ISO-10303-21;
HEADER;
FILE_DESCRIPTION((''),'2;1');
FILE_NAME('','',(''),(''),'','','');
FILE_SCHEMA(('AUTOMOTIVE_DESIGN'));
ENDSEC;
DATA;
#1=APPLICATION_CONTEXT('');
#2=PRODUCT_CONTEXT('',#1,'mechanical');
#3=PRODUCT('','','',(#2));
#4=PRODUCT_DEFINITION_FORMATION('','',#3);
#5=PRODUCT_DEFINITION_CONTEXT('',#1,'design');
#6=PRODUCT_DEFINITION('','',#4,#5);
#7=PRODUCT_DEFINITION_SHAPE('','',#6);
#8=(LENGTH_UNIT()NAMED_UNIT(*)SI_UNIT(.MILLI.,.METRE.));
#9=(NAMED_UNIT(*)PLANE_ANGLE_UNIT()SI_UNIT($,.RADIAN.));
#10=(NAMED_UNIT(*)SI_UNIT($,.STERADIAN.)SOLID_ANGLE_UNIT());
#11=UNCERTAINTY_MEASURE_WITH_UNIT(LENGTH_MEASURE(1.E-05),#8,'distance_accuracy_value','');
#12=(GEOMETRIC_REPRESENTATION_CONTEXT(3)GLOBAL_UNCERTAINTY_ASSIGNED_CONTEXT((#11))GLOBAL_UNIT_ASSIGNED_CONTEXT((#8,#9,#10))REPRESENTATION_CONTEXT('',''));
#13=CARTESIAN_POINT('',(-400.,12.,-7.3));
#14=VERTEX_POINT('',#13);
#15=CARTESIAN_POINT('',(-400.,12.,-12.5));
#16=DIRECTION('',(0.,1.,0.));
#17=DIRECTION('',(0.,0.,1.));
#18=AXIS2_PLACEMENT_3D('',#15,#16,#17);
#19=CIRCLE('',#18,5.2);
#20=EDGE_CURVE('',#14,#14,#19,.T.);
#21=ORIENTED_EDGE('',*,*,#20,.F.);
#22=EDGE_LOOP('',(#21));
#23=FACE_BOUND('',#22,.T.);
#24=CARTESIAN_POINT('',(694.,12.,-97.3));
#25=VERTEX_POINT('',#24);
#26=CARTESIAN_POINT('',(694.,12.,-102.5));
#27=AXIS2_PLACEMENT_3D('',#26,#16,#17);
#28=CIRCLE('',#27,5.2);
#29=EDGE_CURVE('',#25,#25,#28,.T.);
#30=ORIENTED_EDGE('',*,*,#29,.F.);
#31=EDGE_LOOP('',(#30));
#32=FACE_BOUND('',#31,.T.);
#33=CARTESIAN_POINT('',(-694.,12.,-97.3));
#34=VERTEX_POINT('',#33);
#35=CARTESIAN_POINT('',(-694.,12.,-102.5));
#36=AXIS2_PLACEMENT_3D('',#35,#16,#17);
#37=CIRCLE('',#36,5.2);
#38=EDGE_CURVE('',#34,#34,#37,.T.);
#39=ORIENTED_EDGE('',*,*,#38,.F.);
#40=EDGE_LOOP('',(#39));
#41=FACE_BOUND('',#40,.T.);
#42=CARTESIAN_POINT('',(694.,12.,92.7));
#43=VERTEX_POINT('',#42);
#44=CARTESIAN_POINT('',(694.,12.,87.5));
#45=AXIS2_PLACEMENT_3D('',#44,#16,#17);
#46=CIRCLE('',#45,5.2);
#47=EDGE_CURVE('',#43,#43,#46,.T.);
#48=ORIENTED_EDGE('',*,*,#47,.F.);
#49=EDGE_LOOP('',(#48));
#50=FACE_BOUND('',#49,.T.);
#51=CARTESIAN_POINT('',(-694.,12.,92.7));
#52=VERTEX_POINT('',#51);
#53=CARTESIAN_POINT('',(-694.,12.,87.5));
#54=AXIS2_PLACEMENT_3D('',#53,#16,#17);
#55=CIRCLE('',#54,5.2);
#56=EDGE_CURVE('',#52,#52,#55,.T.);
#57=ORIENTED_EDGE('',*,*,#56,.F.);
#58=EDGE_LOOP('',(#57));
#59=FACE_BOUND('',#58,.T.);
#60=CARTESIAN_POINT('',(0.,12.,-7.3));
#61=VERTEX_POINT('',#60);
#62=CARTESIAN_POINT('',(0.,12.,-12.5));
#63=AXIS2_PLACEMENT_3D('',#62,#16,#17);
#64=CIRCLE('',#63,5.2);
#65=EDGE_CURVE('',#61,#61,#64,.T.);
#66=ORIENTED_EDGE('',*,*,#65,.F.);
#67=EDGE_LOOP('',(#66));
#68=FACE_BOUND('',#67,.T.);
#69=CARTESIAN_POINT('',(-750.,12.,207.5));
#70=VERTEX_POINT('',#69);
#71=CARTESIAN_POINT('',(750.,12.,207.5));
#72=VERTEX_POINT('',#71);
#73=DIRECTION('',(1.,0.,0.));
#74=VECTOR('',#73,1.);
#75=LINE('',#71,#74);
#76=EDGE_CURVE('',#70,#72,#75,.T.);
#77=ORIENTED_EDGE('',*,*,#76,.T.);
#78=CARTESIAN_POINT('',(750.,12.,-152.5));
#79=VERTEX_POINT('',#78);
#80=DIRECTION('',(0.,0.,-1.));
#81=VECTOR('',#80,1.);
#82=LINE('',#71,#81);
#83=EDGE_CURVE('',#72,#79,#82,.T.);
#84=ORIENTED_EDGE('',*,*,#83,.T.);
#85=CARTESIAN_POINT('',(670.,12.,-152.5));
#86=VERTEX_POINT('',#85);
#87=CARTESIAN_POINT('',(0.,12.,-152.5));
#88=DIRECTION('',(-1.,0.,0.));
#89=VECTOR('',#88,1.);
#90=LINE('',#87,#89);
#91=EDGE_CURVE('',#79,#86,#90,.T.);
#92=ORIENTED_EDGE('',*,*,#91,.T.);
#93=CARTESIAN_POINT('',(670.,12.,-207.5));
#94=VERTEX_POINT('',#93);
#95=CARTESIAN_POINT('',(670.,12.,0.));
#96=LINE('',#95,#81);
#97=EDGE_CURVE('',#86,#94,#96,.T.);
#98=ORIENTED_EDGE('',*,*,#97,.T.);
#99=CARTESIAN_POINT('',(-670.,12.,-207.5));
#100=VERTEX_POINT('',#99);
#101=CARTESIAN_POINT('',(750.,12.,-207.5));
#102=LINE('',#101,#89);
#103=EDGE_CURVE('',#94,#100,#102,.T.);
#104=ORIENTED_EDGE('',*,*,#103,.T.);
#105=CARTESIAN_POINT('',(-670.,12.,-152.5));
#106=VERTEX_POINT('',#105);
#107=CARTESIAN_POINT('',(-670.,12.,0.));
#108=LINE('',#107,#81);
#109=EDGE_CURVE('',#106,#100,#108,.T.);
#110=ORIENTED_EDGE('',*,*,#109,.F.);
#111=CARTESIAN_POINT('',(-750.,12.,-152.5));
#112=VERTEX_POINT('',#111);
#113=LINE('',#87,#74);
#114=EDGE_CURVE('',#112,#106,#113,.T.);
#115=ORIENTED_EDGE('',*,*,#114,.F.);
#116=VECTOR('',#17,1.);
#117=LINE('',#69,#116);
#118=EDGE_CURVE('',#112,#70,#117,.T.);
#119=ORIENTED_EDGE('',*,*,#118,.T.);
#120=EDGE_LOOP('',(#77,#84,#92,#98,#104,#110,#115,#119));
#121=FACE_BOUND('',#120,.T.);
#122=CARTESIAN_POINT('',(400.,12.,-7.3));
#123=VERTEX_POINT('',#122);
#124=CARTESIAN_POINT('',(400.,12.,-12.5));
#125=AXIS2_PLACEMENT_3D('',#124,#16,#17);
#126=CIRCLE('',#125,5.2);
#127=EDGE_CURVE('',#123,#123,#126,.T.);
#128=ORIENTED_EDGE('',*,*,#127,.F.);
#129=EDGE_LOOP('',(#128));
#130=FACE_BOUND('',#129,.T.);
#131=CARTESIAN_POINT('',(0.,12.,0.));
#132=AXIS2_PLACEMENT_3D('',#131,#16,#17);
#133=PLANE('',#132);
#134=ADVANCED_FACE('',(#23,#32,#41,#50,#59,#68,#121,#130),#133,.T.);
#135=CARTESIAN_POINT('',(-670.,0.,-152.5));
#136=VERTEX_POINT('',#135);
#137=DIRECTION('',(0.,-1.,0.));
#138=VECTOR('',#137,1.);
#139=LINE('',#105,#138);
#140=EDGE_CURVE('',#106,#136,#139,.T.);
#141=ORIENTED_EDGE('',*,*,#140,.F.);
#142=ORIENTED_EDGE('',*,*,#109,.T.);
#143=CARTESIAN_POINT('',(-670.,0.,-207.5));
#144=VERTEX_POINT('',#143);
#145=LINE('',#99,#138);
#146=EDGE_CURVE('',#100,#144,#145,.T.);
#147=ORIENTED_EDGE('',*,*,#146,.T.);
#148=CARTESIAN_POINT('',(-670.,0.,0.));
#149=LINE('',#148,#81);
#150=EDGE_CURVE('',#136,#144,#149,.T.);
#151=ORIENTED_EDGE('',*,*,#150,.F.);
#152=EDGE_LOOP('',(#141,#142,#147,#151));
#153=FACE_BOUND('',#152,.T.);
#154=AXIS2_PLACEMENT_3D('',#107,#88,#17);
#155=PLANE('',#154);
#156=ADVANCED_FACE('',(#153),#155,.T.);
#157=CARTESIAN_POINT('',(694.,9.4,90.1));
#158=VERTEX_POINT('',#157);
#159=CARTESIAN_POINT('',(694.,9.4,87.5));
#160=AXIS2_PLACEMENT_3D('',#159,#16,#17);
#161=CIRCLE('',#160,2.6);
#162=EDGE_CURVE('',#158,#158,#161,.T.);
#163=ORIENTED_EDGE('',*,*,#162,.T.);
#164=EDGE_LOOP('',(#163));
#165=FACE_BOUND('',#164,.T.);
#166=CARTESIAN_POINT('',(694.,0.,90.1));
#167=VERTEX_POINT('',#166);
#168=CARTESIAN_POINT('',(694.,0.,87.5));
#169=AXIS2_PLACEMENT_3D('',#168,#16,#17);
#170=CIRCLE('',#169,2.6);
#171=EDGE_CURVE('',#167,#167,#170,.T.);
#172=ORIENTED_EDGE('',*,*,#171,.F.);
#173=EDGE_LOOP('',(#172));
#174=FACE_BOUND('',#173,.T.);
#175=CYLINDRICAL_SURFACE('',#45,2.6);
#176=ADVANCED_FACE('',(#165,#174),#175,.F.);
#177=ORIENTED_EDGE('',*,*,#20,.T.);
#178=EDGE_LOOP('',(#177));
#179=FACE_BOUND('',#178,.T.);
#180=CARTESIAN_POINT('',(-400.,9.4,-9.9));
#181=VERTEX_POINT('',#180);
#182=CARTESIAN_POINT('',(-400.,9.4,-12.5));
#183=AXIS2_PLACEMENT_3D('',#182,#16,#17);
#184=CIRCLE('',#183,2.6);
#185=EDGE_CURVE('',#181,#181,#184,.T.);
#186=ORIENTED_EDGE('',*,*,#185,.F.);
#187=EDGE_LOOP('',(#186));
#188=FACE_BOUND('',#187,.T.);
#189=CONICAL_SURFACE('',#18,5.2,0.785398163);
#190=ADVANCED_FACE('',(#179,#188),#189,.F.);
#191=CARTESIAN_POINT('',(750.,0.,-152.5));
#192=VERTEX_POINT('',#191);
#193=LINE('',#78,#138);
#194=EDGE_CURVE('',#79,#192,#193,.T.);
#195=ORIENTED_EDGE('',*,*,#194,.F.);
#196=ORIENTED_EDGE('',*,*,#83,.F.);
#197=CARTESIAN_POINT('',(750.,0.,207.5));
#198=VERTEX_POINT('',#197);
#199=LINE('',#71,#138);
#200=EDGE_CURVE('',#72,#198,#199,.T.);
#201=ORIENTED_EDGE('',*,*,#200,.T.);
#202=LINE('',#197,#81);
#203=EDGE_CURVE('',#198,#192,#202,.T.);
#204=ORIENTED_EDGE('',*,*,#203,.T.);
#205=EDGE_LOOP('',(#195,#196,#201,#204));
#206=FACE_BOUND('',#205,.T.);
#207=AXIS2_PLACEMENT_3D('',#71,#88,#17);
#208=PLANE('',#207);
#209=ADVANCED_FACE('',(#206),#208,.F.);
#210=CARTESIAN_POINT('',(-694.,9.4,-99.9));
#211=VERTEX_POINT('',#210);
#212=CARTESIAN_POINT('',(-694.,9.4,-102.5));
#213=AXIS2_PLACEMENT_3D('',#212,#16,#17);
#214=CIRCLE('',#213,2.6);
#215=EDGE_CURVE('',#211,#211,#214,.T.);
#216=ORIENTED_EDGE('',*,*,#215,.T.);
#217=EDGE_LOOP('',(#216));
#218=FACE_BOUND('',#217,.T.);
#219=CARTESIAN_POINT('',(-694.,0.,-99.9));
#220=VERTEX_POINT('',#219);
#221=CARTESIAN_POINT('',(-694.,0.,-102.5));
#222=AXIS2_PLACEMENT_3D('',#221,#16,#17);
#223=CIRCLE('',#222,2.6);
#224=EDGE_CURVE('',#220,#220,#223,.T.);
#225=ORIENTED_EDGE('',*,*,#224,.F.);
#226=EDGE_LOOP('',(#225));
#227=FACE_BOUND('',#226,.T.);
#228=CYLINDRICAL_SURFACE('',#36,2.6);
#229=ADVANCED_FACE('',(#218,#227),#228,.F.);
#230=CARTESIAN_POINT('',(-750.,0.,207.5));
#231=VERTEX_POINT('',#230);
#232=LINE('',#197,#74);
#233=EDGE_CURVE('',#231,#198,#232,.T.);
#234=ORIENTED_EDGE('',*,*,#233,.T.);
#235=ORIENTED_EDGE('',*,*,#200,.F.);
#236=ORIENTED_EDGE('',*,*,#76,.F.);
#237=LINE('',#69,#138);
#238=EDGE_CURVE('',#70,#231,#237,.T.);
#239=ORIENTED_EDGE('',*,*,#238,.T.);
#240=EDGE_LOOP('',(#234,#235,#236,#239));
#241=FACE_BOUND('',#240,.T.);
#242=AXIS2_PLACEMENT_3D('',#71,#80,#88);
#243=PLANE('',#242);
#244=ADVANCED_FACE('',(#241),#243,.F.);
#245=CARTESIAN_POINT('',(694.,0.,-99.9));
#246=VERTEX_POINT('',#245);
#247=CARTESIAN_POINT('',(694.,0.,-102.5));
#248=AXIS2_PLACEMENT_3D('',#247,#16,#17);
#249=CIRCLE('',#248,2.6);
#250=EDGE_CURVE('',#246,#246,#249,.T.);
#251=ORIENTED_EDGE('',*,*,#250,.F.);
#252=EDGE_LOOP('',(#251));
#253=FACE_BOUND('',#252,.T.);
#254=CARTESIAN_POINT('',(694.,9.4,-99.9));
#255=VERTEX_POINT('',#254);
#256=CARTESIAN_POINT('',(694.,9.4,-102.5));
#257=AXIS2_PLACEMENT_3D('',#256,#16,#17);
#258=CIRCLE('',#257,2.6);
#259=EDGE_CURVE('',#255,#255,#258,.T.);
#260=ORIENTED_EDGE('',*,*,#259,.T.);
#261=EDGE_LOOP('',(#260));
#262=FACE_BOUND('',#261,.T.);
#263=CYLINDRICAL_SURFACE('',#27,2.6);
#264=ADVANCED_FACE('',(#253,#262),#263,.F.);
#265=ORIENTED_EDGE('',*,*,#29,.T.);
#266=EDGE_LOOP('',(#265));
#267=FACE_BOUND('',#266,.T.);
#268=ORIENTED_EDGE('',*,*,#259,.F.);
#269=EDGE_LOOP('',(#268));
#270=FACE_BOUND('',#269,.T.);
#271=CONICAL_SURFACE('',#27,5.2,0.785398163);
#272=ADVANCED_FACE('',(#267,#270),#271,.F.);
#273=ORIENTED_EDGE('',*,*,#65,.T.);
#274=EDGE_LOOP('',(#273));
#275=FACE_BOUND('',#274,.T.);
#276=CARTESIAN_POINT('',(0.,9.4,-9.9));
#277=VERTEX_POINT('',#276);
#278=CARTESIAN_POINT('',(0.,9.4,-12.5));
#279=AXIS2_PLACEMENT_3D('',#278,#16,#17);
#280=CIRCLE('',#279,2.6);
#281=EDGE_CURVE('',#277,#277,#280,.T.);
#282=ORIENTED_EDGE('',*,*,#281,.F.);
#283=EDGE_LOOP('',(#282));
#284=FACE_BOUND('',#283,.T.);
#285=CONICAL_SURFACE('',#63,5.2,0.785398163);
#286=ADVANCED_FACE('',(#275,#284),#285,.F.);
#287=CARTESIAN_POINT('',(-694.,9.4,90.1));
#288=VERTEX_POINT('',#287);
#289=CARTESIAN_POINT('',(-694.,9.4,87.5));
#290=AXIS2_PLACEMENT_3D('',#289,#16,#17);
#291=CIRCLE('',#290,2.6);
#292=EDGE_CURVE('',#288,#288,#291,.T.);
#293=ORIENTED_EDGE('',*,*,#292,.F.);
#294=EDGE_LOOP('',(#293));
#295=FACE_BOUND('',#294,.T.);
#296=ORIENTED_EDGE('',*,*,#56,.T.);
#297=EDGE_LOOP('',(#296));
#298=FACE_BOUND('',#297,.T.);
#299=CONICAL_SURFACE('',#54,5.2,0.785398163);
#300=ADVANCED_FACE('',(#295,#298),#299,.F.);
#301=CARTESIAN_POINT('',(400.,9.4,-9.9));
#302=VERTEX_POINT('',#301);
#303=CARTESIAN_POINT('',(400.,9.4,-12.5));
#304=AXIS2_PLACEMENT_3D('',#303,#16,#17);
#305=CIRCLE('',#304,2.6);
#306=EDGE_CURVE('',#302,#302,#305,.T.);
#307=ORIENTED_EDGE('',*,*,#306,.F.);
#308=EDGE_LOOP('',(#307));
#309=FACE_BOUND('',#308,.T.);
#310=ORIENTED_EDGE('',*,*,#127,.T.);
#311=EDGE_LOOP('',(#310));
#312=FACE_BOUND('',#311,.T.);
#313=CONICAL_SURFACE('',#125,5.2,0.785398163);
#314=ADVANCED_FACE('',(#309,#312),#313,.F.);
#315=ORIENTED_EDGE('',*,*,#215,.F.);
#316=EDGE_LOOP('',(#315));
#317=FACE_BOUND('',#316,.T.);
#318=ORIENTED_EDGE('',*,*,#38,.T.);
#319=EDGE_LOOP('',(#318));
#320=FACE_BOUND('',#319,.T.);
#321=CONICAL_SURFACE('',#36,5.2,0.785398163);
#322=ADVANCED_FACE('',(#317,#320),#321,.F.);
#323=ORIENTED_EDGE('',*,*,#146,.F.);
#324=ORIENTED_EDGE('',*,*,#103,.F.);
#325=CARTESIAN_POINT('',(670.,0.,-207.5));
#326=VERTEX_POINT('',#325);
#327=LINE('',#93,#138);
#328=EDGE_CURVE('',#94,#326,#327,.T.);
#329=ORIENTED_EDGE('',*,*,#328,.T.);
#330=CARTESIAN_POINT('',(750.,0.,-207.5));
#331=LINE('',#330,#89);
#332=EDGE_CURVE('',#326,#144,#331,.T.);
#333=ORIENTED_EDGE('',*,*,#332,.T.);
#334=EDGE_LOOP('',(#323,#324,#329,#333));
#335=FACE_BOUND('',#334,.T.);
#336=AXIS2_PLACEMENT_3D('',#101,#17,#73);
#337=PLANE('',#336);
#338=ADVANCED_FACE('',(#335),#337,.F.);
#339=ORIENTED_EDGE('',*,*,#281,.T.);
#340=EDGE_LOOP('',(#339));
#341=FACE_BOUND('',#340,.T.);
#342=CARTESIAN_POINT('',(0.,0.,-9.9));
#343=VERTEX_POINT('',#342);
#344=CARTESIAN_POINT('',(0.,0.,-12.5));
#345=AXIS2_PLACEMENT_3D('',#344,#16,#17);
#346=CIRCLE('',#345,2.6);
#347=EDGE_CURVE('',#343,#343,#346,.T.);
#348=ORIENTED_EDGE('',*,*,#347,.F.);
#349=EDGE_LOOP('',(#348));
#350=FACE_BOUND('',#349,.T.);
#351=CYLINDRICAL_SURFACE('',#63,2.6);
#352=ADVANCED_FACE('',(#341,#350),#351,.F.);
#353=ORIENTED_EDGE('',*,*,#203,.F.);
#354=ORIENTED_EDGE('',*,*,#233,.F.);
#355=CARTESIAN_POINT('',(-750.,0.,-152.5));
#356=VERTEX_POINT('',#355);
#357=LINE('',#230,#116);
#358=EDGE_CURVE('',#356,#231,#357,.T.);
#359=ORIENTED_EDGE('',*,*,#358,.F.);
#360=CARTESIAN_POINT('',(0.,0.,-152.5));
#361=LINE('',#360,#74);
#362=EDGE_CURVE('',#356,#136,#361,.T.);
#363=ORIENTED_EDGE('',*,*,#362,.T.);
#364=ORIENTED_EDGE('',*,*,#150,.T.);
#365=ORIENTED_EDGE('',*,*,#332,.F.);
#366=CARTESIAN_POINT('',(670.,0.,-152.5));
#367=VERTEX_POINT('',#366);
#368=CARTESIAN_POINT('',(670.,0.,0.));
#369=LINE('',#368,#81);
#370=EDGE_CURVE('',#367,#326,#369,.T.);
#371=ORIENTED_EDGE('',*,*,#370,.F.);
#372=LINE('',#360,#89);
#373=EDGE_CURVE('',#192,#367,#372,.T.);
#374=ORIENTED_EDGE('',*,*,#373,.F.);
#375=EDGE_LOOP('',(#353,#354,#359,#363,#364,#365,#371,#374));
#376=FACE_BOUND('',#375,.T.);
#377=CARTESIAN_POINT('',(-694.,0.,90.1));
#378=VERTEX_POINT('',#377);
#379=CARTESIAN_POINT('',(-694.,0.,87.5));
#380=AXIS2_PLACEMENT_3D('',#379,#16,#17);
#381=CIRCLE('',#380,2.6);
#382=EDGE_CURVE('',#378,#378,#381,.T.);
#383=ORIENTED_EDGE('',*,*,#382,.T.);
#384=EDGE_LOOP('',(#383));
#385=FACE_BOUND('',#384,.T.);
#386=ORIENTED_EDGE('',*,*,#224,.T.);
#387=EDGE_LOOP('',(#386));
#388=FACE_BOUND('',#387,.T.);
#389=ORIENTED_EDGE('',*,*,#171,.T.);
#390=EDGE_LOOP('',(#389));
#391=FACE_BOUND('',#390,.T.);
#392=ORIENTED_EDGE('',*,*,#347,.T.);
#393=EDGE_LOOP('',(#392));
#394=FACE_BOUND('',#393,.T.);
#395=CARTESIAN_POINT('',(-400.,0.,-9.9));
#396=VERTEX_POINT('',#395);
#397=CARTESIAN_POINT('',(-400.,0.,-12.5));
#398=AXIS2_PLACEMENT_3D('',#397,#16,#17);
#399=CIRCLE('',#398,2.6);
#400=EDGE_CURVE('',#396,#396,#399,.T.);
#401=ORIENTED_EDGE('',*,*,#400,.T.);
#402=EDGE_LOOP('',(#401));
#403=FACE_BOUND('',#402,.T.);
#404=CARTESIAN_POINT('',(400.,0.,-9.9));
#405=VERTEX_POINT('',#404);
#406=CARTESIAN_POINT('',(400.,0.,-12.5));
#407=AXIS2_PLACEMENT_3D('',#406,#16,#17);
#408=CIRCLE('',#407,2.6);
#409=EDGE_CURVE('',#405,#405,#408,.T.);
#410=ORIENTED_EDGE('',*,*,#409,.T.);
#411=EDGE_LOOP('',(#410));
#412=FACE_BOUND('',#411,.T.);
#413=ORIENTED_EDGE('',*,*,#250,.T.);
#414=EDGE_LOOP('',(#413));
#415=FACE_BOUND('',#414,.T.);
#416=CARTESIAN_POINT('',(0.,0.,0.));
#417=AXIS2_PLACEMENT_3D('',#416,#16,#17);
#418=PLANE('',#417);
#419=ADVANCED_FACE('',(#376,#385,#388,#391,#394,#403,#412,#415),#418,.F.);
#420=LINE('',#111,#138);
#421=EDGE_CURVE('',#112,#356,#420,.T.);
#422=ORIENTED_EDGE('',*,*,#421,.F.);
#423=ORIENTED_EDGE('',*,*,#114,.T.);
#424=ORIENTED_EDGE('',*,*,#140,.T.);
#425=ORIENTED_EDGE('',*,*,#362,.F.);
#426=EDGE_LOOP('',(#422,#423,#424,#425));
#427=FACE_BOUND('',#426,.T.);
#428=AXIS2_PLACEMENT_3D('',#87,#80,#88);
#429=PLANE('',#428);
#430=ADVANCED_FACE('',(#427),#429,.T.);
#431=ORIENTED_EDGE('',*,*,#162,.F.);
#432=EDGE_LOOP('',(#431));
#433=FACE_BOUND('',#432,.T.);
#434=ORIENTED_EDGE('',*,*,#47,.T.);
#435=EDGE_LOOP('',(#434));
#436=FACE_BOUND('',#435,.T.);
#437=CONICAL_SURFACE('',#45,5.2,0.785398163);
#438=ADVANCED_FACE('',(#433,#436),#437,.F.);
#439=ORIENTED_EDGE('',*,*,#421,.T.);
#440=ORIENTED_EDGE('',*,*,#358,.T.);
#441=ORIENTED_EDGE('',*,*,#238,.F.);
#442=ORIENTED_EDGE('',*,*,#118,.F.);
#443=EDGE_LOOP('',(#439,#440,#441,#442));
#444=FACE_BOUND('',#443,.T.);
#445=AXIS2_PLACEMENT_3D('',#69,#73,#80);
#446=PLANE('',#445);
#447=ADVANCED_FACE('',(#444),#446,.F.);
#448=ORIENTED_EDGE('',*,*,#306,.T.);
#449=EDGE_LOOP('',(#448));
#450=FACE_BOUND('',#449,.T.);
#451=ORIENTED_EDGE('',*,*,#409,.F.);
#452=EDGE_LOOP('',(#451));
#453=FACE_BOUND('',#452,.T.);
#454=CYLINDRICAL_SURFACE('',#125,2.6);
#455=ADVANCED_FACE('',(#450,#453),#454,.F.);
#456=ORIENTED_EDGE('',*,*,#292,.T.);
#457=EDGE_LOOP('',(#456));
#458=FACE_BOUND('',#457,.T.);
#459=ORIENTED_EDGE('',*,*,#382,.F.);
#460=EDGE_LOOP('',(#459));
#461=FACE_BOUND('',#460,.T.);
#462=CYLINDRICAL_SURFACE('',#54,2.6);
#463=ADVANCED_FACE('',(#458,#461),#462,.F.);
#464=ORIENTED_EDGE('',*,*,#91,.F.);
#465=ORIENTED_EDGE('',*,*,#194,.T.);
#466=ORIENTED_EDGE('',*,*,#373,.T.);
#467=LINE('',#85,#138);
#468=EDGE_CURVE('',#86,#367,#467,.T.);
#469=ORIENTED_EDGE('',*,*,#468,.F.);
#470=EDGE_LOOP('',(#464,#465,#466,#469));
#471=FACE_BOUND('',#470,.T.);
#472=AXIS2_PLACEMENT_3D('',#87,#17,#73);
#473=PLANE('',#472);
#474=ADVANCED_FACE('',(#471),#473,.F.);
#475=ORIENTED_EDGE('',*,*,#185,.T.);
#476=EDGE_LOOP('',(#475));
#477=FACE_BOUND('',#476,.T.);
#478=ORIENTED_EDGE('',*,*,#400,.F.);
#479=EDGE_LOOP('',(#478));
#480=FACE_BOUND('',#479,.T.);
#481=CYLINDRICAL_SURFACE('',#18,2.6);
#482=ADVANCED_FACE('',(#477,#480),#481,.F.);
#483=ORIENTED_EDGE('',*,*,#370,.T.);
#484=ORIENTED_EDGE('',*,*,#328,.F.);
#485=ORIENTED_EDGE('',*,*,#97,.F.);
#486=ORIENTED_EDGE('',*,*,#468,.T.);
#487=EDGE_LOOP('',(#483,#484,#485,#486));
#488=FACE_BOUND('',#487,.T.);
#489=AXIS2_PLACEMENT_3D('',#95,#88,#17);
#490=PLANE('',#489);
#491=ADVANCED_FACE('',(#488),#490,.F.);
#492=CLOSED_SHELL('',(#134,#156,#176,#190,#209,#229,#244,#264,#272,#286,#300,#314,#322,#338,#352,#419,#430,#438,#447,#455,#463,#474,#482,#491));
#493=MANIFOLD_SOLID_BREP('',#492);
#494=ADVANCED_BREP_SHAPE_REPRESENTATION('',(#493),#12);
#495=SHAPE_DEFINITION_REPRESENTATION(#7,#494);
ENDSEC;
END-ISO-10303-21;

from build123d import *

# Parameters (mm, degrees)
SKETCH1_W                                       = 1500
SKETCH1_H                                       = 415
RAWMATERIAL_DEPTH                               = 12
CSK_FOR_M5_FLAT_HEAD_MACHINE_SCREW1_D           = 5.2
CSK_FOR_M5_FLAT_HEAD_MACHINE_SCREW1_CSINK_D     = 10.4
CSK_FOR_M5_FLAT_HEAD_MACHINE_SCREW1_CSINK_ANGLE = 90
SKETCH5_W                                       = 80
SKETCH5_H                                       = 55
FRAME_SLOTS_DEPTH                               = 779.267466878


with BuildPart() as part:
    # Sketch1 → RawMaterial (new body)
    with BuildSketch(Plane(origin=(0, 0, 0), x_dir=(1, 0, 0), z_dir=(0, 1, 0))):
        Rectangle(SKETCH1_W, SKETCH1_H)
    extrude(amount=RAWMATERIAL_DEPTH)

    # CSK for M5 Flat Head Machine Screw1 (through all)
    with Locations(Plane(origin=(0, 12, 0), x_dir=(-1, 0, 0), z_dir=(0, 1, 0))):
        with Locations((-694, -102.5), (-694, 87.5), (-400, -12.5), (400, -12.5), (694, 87.5), (694, -102.5), (0, -12.5)):
            CounterSinkHole(CSK_FOR_M5_FLAT_HEAD_MACHINE_SCREW1_D / 2, CSK_FOR_M5_FLAT_HEAD_MACHINE_SCREW1_CSINK_D / 2, counter_sink_angle=CSK_FOR_M5_FLAT_HEAD_MACHINE_SCREW1_CSINK_ANGLE)

    # Sketch5 → Frame Slots (cut, through all)
    with BuildSketch(Plane.XZ):
        with Locations((-710, -180)):
            Rectangle(SKETCH5_W, SKETCH5_H)
        with Locations((710, -180)):
            Rectangle(SKETCH5_W, SKETCH5_H)
    extrude(amount=-FRAME_SLOTS_DEPTH, mode=Mode.SUBTRACT)


solid = part.part
